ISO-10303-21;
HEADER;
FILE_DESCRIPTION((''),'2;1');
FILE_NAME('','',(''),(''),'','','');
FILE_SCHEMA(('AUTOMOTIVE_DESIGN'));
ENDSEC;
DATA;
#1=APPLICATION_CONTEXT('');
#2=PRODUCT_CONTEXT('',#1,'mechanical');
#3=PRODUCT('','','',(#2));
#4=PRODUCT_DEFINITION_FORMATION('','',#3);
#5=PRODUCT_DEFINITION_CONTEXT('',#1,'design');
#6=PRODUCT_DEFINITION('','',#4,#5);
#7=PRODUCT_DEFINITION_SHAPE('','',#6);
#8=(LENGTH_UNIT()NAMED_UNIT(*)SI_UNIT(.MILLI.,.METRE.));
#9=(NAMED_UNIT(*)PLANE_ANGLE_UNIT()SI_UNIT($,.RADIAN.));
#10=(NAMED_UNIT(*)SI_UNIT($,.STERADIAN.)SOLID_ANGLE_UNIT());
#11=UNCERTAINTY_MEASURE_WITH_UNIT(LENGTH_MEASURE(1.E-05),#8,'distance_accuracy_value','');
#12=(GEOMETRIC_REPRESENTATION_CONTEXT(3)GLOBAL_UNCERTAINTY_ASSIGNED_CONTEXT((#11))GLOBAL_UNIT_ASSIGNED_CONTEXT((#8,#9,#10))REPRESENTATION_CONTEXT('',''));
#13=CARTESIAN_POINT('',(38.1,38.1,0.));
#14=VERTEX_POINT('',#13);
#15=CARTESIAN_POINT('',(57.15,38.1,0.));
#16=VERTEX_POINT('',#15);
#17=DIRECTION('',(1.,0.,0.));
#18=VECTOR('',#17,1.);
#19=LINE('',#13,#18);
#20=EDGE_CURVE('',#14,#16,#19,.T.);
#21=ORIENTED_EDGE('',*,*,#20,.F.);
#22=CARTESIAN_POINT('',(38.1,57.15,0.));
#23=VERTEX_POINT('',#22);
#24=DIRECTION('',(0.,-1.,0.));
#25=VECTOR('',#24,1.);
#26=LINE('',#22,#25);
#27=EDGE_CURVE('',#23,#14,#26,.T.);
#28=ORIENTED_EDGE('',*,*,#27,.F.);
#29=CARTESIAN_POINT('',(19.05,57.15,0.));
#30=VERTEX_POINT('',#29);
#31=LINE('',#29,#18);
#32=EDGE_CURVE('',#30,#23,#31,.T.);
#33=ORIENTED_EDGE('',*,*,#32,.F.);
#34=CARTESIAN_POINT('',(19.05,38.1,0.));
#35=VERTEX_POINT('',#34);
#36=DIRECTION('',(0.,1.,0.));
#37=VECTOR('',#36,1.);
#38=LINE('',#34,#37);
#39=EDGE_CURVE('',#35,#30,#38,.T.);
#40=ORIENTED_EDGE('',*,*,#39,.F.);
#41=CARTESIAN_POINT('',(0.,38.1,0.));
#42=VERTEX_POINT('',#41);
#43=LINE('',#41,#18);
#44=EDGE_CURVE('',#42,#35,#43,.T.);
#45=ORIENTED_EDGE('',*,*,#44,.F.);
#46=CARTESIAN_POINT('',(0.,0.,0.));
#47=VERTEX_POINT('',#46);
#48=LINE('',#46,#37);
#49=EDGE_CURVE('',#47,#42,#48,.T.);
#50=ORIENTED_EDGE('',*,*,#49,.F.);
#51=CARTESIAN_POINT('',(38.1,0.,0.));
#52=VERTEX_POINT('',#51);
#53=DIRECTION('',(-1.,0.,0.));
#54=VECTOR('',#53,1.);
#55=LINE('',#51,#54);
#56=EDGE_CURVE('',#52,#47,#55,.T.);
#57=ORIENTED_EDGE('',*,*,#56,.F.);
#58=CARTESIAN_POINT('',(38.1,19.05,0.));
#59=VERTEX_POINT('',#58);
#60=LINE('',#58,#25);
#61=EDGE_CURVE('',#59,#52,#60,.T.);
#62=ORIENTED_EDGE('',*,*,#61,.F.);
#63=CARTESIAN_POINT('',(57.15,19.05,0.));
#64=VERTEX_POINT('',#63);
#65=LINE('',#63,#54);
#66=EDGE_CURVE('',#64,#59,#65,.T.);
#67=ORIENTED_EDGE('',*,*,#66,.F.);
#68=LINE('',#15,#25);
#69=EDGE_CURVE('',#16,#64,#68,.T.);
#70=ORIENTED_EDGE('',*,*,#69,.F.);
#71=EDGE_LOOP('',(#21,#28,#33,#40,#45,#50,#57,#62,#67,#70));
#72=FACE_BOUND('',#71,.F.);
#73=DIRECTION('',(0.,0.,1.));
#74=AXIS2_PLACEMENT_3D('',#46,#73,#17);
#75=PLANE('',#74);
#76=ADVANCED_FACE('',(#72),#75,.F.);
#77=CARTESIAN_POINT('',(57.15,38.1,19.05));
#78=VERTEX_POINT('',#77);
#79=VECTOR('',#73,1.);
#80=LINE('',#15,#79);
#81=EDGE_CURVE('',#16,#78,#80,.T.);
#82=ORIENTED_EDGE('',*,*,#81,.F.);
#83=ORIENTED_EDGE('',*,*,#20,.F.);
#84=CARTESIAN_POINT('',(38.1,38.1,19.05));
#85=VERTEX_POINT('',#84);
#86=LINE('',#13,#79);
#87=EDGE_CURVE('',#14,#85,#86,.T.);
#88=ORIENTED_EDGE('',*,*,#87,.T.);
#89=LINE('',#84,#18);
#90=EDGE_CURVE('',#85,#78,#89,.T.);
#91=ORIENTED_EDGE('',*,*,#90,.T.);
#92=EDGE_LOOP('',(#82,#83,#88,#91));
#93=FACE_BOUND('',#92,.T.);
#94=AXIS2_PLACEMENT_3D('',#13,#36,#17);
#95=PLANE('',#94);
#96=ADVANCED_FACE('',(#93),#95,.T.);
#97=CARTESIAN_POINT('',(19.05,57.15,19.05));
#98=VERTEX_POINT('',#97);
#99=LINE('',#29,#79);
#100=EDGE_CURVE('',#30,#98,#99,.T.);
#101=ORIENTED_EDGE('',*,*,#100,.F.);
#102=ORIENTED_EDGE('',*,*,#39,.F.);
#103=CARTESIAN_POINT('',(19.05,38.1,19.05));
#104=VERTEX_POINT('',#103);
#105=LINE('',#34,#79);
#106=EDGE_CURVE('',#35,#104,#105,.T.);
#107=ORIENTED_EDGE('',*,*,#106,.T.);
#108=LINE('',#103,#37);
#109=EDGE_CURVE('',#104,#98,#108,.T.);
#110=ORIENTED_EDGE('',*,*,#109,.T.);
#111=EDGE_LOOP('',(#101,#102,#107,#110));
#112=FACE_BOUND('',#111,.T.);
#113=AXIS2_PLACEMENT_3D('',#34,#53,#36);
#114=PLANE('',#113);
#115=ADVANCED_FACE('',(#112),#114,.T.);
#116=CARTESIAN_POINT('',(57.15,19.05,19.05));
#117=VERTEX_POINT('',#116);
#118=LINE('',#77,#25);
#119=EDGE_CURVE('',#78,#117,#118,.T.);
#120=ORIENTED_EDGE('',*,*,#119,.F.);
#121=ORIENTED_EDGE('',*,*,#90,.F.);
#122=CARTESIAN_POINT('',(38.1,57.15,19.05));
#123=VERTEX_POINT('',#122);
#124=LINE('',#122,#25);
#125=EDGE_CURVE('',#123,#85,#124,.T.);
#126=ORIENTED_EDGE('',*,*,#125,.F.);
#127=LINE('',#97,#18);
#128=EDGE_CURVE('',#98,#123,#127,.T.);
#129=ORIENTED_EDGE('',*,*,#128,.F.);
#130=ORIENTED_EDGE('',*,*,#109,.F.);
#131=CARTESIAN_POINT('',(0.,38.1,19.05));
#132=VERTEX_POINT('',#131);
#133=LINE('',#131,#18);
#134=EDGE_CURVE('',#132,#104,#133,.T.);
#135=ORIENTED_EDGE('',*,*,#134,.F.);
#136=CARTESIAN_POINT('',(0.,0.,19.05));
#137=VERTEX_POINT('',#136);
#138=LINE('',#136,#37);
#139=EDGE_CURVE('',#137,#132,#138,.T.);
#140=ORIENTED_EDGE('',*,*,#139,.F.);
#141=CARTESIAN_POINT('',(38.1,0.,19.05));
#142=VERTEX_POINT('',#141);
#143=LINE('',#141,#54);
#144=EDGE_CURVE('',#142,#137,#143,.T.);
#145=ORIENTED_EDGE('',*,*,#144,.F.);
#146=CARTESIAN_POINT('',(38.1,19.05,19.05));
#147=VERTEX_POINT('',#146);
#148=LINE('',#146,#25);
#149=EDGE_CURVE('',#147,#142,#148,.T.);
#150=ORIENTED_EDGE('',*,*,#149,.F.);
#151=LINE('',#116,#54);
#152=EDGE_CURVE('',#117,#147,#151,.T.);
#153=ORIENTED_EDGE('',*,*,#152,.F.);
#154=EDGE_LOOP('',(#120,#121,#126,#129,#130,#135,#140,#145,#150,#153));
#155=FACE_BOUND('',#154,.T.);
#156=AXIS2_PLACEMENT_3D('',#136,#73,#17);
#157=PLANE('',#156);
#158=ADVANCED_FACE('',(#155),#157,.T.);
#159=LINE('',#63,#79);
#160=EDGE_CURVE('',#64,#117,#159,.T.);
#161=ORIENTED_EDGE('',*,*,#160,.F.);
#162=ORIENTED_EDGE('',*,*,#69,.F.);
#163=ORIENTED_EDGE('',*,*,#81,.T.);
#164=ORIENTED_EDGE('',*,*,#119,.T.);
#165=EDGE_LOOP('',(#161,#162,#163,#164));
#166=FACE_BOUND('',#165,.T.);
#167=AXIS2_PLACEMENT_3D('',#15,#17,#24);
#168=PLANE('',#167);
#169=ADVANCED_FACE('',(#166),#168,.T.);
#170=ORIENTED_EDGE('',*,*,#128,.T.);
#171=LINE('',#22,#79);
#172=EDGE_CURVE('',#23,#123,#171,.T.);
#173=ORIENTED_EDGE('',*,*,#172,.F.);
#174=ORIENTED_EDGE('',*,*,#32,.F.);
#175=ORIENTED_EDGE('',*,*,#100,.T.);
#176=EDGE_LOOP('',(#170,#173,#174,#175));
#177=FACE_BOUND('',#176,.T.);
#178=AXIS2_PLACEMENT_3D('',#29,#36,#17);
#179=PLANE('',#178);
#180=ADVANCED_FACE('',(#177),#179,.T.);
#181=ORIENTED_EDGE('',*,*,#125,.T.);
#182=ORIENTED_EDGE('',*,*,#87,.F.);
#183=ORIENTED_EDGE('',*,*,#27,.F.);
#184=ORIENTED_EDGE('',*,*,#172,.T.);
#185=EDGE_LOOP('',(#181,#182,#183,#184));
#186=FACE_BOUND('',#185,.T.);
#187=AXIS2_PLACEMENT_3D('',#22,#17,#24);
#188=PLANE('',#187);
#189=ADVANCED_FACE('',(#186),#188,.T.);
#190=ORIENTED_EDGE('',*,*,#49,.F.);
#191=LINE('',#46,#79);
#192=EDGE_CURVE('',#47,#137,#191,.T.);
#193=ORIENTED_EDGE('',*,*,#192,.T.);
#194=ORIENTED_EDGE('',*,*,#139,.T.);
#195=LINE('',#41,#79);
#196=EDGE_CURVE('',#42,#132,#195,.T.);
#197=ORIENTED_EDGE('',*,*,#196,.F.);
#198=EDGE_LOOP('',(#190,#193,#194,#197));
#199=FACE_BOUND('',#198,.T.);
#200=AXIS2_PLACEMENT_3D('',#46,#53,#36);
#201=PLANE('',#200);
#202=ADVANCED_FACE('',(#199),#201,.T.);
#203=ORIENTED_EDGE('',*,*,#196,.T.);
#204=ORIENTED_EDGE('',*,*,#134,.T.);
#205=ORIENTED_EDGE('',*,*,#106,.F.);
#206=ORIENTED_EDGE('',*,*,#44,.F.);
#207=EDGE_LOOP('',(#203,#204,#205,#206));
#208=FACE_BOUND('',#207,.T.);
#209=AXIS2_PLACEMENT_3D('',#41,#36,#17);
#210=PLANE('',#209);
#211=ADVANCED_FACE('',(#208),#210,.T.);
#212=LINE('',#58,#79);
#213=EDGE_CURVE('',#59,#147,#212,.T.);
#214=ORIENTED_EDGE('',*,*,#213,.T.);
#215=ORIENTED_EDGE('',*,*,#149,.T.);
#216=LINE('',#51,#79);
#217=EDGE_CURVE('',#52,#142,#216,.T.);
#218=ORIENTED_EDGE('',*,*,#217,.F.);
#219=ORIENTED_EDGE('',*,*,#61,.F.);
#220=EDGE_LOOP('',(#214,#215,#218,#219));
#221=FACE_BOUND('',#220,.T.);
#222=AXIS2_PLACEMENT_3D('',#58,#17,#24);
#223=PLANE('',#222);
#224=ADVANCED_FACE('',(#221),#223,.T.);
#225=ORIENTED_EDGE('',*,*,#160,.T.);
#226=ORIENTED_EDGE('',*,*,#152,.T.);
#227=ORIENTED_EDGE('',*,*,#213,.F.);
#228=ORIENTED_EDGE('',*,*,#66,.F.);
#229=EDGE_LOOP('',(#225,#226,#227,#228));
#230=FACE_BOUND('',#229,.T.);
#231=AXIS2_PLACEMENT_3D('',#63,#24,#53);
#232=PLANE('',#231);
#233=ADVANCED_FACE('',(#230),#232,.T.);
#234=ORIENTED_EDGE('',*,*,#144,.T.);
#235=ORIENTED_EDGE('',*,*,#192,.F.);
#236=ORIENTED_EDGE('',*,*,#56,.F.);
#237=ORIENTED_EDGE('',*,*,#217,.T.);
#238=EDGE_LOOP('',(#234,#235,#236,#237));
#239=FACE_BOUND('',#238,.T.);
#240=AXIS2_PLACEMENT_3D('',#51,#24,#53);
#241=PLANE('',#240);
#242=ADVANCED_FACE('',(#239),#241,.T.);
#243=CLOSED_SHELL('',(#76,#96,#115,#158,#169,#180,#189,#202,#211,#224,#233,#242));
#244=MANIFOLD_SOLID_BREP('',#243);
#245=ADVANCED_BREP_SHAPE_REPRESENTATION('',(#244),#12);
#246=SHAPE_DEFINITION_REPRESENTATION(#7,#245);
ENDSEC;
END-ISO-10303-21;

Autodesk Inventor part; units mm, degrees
ref_plane "YZ Plane" through (0, 0, 0) normal (1, 0, 0) x (0, 1, 0)
ref_plane "XZ Plane" through (0, 0, 0) normal (0, 1, 0) x (-1, 0, 0)
ref_plane "XY Plane" through (0, 0, 0) normal (0, 0, 1) x (1, 0, 0)
sketch "Sketch1" plane through (0, 0, 0) normal (0, 0, 1) x (1, 0, 0)
  line L0 (0, 0) -> (0, 38.1)
  line L1 (0, 38.1) -> (19.05, 38.1)
  line L2 (19.05, 38.1) -> (19.05, 57.15)
  line L3 (19.05, 57.15) -> (38.1, 57.15)
  line L4 (38.1, 57.15) -> (38.1, 38.1)
  line L5 (38.1, 38.1) -> (57.15, 38.1)
  line L6 (57.15, 38.1) -> (57.15, 19.05)
  line L7 (57.15, 19.05) -> (38.1, 19.05)
  line L8 (38.1, 19.05) -> (38.1, 0)
  line L9 (38.1, 0) -> (0, 0)
  dimension "d0" = 38.1
  dimension "d1" = 19.05
  dimension "d2" = 19.05
  dimension "d3" = 19.05
  dimension "d4" = 19.05
  dimension "d5" = 19.05
  dimension "d6" = 19.05
  dimension "d7" = 19.05
extrude "Extrusion1" add sketch "Sketch1" along normal blind 19.05
properties part number "3"
